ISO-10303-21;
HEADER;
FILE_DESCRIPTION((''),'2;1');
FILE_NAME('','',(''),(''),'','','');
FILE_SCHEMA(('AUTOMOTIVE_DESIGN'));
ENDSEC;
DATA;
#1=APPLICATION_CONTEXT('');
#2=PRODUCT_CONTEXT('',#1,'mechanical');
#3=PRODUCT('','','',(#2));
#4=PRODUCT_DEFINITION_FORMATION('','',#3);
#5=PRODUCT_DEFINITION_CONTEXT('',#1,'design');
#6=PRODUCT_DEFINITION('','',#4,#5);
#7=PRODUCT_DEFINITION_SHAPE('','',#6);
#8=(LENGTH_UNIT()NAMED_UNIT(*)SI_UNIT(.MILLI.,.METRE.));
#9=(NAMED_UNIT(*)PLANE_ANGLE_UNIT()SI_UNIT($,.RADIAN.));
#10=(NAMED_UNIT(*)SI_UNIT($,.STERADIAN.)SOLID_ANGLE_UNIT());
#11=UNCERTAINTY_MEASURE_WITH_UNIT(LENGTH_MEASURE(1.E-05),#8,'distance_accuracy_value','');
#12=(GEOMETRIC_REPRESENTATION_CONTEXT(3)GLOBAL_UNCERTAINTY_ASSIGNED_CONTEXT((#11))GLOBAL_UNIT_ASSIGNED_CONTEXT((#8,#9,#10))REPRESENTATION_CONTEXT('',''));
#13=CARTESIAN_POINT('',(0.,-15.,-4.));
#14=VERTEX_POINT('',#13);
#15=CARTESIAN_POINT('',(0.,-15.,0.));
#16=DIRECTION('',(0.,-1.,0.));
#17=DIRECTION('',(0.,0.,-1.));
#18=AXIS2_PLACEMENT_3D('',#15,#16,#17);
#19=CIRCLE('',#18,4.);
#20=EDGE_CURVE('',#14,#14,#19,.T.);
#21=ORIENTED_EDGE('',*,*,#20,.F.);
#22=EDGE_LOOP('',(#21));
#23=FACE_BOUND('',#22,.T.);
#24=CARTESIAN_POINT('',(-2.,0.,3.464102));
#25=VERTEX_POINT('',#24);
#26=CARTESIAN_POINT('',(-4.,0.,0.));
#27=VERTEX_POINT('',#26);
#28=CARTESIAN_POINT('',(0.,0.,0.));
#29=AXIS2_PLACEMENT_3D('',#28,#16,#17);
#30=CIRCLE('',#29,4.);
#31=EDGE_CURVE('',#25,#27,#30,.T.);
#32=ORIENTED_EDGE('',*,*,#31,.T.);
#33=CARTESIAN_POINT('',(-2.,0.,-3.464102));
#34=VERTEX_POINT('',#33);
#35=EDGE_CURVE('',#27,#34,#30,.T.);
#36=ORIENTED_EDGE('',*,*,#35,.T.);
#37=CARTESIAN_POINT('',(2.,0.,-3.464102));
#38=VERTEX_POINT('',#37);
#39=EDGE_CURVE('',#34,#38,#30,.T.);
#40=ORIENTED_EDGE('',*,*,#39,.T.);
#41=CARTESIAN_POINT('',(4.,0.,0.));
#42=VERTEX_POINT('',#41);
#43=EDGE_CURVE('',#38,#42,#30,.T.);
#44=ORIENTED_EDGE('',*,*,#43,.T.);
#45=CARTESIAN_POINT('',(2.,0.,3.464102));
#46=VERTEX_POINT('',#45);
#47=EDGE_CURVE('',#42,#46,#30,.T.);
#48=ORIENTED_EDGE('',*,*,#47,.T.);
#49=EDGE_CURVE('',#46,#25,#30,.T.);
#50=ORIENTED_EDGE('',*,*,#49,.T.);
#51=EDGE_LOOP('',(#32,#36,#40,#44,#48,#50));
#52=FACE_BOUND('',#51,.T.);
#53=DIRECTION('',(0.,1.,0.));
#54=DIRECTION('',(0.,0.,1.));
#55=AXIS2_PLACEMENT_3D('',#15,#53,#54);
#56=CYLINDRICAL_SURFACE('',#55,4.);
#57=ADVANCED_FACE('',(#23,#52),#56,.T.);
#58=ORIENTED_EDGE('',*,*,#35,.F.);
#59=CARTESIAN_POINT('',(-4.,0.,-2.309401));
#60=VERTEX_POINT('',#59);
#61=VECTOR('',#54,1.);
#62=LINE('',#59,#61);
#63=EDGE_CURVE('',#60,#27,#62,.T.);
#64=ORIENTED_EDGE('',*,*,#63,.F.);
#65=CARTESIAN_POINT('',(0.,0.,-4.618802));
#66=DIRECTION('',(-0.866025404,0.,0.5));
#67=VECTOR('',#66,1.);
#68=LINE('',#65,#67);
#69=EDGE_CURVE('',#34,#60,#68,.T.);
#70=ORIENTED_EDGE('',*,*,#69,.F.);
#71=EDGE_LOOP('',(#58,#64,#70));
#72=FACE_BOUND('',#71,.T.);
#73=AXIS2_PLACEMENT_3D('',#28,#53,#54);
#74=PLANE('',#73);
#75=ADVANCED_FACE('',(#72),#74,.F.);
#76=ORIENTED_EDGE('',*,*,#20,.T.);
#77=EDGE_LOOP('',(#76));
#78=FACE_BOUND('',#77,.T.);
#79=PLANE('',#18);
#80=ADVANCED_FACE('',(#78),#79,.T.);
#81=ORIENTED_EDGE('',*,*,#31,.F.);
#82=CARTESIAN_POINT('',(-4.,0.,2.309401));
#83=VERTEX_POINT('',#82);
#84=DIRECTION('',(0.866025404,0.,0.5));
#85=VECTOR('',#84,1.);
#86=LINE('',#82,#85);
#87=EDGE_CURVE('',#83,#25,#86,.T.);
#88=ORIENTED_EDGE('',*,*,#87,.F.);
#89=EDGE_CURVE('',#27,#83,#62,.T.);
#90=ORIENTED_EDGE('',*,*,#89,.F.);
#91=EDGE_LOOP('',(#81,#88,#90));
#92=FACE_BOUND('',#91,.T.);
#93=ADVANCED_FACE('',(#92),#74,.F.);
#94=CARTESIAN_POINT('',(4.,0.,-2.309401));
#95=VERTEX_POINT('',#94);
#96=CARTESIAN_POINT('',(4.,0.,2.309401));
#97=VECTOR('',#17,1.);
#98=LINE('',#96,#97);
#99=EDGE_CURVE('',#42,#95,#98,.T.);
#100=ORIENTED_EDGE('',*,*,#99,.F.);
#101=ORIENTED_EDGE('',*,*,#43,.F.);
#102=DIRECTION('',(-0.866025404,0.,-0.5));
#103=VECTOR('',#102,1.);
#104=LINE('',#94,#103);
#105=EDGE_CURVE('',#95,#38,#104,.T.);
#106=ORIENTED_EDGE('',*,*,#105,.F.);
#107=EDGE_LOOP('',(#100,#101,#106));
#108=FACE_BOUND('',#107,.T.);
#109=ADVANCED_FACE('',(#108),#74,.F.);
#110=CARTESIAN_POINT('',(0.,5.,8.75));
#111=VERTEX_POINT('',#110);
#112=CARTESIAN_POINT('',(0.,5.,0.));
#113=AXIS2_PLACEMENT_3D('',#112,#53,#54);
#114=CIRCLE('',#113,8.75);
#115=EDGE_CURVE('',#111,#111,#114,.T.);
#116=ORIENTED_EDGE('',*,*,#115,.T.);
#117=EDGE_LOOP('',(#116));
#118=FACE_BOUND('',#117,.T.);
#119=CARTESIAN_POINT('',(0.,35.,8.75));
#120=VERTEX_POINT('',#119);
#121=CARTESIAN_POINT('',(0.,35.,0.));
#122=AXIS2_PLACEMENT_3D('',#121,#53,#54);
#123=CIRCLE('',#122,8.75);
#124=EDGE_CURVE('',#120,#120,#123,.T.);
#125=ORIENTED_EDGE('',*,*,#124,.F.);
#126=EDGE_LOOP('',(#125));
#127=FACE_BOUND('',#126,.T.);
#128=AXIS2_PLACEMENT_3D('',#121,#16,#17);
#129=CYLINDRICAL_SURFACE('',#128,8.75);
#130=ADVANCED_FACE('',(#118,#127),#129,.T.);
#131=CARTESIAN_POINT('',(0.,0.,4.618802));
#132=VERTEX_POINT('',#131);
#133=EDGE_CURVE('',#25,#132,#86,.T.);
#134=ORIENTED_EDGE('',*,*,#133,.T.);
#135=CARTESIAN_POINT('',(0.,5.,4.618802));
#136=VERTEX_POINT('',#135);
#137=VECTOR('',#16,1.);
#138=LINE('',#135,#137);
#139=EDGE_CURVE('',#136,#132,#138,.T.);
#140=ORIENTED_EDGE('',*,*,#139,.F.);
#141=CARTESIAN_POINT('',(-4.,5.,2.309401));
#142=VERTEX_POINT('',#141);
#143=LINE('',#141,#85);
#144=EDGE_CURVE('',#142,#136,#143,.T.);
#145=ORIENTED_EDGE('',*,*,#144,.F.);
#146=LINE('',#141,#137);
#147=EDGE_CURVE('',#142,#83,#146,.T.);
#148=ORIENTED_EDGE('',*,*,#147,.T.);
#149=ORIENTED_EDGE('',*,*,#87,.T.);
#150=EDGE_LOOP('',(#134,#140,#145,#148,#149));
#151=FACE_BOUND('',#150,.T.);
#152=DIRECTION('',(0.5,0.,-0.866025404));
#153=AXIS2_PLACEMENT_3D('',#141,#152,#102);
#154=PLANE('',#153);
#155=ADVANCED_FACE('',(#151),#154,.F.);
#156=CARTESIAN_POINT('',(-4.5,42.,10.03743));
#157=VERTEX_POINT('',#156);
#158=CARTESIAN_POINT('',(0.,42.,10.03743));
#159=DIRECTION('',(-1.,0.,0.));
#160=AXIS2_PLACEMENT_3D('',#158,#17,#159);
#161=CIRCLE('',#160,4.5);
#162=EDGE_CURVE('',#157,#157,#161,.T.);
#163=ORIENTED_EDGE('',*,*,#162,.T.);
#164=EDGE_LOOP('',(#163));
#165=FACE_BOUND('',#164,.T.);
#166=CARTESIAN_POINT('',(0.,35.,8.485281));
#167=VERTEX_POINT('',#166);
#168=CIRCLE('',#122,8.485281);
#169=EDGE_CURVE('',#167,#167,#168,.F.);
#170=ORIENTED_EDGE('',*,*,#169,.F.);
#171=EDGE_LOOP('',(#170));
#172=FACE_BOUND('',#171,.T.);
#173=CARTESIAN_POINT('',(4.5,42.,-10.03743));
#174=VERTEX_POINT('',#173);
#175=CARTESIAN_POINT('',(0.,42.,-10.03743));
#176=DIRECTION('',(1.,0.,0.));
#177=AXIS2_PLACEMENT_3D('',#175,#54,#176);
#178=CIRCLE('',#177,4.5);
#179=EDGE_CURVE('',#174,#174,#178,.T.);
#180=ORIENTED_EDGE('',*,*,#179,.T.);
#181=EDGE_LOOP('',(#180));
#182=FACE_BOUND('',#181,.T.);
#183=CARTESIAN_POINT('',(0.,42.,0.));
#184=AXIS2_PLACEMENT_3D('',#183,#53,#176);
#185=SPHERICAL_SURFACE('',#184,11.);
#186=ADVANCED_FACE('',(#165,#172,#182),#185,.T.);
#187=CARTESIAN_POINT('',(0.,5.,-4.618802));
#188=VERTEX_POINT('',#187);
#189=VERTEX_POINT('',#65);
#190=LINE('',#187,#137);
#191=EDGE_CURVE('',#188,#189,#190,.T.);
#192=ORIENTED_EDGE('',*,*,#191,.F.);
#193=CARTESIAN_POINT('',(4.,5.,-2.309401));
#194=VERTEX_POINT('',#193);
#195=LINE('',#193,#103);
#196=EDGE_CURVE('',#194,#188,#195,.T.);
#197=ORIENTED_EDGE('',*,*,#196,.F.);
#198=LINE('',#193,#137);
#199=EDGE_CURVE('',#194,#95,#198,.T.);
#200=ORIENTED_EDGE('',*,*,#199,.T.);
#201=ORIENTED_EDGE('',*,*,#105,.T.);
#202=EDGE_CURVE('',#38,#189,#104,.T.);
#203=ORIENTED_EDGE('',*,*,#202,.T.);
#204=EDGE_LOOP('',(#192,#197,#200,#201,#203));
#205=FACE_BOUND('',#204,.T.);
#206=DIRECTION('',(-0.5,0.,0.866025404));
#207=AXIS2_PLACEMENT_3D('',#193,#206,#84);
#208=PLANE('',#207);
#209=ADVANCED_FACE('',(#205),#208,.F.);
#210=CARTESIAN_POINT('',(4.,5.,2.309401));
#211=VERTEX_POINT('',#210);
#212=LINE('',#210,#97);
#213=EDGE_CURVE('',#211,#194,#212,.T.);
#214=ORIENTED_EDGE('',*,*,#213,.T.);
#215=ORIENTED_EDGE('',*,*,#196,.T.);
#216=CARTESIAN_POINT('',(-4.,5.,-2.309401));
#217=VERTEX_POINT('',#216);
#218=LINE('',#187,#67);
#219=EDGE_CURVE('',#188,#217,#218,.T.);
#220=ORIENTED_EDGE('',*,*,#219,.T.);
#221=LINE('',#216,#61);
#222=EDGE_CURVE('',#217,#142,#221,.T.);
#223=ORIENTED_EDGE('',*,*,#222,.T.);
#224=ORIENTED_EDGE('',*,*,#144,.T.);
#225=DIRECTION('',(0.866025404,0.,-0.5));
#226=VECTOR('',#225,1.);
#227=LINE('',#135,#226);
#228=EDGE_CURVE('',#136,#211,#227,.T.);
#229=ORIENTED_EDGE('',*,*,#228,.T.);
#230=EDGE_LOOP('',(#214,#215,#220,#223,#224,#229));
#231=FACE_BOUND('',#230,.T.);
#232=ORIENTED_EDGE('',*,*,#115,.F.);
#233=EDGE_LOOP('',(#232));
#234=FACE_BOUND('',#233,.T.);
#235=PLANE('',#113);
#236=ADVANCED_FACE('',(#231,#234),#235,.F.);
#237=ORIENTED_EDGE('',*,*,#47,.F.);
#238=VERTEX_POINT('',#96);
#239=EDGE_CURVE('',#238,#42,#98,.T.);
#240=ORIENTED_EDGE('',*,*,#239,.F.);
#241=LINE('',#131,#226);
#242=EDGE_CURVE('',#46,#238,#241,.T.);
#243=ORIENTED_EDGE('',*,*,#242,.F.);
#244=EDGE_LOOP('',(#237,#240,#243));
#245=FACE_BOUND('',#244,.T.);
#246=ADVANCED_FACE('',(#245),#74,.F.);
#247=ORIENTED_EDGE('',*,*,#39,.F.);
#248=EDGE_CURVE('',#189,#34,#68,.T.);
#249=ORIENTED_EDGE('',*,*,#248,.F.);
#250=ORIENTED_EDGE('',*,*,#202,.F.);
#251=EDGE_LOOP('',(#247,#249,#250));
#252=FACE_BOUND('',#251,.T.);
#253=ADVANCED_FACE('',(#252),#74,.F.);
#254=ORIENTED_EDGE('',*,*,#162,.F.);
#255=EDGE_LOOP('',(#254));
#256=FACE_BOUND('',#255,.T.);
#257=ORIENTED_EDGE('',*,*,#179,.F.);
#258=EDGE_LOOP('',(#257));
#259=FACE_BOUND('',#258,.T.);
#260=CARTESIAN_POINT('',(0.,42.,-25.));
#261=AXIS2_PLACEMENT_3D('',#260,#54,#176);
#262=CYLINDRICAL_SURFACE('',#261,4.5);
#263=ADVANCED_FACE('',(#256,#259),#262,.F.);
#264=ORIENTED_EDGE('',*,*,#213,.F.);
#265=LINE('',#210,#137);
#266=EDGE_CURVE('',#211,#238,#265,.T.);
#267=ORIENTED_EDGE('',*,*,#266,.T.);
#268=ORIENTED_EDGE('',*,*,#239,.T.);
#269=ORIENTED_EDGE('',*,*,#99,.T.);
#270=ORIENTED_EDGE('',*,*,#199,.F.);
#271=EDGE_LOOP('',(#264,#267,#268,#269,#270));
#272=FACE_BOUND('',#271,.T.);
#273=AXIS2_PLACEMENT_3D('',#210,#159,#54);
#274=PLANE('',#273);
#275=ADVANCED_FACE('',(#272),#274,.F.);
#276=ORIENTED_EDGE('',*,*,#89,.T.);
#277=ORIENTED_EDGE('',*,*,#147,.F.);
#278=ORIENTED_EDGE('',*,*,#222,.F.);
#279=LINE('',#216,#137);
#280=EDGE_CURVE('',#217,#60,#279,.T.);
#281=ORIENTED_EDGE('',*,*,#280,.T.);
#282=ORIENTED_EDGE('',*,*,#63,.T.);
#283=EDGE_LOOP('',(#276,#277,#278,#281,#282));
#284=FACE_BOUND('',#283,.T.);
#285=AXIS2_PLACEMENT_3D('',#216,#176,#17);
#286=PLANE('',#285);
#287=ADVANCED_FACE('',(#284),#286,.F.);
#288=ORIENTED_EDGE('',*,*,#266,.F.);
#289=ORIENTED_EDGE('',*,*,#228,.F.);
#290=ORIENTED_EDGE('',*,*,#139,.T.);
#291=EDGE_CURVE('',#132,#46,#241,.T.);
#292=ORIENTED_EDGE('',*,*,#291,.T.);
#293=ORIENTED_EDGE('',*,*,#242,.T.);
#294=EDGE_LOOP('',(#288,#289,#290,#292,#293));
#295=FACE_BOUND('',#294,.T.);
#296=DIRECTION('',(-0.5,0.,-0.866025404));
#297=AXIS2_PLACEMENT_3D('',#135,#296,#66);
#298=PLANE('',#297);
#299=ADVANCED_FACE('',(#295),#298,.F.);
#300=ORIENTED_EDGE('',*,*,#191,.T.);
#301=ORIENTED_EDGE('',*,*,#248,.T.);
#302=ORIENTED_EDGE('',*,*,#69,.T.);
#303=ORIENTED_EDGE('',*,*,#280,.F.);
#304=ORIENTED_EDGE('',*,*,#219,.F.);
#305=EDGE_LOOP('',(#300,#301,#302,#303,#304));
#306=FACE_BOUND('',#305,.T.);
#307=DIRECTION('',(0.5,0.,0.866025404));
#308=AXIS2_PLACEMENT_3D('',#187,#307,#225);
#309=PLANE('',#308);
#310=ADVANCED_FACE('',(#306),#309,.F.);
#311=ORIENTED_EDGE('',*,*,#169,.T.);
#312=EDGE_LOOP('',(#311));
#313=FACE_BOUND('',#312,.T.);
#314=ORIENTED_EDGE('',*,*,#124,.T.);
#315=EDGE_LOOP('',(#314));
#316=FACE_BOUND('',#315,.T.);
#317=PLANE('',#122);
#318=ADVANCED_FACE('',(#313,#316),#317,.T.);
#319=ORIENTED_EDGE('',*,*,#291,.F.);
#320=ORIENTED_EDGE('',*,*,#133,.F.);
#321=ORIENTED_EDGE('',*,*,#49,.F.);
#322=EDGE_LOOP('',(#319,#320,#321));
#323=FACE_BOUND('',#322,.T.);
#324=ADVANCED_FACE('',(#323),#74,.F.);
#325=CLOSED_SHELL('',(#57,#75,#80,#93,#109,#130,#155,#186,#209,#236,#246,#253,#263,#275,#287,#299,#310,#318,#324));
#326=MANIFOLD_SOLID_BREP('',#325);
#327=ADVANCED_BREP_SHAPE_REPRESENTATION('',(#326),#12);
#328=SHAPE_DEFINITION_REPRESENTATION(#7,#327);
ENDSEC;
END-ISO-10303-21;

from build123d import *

# Parameters (mm, degrees)
EXTRUDE_1_DEPTH     = 5
SKETCH_2_R          = 8.75
EXTRUDE_2_DEPTH     = 30
SKETCH_4_R          = 4.5
CUT_EXTRUDE_1_DEPTH = 25
SKETCH_5_R          = 4
EXTRUDE_3_DEPTH     = 15


with BuildPart() as part:
    # 草图1 → 凸台-拉伸1 (new body)
    with BuildSketch(Plane(origin=(0, 0, 0), x_dir=(1, 0, 0), z_dir=(0, 1, 0))):
        Polygon((0, 4.618802154), (-4, 2.309401077), (-4, -2.309401077), (0, -4.618802154), (4, -2.309401077), (4, 2.309401077), align=None)
    extrude(amount=EXTRUDE_1_DEPTH)

    # 草图2 → 凸台-拉伸2 (add)
    with BuildSketch(Plane(origin=(0, 5, 0), x_dir=(1, 0, 0), z_dir=(0, 1, 0))):
        with Locations(Location((0, 0, 0), (0, 0, 270))):
            Circle(SKETCH_2_R)
    extrude(amount=EXTRUDE_2_DEPTH)

    # 草图3 → 旋转1 (revolve)
    with BuildSketch(Plane.XY):
        with BuildLine():
            ThreePointArc((0, 31), (11, 42), (0, 53))
            Line((0, 53), (0, 31))
        make_face()
    revolve(axis=Axis((0, 53, 0), (0, -1, 0)))

    # 草图4 → 切除-拉伸1 (cut, symmetric)
    with BuildSketch(Plane.XY):
        with Locations((0, 42)):
            Circle(SKETCH_4_R)
    extrude(amount=CUT_EXTRUDE_1_DEPTH, both=True, mode=Mode.SUBTRACT)

    # 草图5 → 凸台-拉伸3 (add)
    with BuildSketch(Plane.XZ):
        with Locations(Location((0, 0, 0), (0, 0, 120))):
            Circle(SKETCH_5_R)
    extrude(amount=EXTRUDE_3_DEPTH)


solid = part.part
